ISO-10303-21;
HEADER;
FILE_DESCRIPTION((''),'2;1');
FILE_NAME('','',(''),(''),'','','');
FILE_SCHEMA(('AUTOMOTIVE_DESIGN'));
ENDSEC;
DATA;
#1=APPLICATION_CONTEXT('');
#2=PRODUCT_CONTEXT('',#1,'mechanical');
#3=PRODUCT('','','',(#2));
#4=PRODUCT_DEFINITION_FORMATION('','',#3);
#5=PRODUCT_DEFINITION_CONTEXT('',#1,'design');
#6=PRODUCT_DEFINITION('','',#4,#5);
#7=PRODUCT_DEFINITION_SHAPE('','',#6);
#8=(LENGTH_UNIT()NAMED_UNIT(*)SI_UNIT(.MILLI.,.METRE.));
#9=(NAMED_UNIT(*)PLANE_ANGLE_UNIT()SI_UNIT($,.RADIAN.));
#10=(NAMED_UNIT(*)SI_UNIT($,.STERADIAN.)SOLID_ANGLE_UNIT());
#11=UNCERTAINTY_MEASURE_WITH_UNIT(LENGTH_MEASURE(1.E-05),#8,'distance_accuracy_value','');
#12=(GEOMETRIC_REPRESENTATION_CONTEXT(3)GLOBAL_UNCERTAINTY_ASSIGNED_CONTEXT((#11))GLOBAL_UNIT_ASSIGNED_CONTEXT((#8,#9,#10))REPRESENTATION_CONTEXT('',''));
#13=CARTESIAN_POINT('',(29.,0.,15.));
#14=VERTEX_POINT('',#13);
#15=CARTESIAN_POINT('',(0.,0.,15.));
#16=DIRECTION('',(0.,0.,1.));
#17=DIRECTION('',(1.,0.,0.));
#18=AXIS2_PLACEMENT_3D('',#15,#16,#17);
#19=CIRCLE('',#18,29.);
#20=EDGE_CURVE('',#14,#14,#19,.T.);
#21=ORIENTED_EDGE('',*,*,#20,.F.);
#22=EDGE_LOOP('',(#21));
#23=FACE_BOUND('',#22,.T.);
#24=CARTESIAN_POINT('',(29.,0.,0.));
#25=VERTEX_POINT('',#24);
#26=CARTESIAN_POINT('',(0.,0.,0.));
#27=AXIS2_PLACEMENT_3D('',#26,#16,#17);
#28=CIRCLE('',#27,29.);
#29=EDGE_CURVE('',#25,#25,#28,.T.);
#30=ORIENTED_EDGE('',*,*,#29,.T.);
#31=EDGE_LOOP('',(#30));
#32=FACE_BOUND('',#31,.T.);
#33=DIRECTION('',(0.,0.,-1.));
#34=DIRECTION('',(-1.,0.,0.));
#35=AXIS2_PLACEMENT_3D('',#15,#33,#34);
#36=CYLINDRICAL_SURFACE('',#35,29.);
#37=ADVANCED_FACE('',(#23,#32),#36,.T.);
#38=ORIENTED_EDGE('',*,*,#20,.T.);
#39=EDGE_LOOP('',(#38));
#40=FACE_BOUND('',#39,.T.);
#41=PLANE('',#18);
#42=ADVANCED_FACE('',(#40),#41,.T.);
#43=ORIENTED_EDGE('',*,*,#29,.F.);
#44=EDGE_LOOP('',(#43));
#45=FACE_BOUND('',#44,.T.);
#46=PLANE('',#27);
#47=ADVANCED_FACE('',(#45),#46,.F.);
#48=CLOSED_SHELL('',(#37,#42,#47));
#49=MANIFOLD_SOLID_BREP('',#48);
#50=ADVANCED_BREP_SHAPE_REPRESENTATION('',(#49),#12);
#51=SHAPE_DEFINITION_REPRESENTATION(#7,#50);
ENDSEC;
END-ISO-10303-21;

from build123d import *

# Parameters (mm, degrees)
SKETCH1_R           = 29
BOSS_EXTRUDE1_DEPTH = 15


with BuildPart() as part:
    # Sketch1 → Boss-Extrude1 (new body)
    with BuildSketch(Plane.XY):
        Circle(SKETCH1_R)
    extrude(amount=BOSS_EXTRUDE1_DEPTH)


solid = part.part
